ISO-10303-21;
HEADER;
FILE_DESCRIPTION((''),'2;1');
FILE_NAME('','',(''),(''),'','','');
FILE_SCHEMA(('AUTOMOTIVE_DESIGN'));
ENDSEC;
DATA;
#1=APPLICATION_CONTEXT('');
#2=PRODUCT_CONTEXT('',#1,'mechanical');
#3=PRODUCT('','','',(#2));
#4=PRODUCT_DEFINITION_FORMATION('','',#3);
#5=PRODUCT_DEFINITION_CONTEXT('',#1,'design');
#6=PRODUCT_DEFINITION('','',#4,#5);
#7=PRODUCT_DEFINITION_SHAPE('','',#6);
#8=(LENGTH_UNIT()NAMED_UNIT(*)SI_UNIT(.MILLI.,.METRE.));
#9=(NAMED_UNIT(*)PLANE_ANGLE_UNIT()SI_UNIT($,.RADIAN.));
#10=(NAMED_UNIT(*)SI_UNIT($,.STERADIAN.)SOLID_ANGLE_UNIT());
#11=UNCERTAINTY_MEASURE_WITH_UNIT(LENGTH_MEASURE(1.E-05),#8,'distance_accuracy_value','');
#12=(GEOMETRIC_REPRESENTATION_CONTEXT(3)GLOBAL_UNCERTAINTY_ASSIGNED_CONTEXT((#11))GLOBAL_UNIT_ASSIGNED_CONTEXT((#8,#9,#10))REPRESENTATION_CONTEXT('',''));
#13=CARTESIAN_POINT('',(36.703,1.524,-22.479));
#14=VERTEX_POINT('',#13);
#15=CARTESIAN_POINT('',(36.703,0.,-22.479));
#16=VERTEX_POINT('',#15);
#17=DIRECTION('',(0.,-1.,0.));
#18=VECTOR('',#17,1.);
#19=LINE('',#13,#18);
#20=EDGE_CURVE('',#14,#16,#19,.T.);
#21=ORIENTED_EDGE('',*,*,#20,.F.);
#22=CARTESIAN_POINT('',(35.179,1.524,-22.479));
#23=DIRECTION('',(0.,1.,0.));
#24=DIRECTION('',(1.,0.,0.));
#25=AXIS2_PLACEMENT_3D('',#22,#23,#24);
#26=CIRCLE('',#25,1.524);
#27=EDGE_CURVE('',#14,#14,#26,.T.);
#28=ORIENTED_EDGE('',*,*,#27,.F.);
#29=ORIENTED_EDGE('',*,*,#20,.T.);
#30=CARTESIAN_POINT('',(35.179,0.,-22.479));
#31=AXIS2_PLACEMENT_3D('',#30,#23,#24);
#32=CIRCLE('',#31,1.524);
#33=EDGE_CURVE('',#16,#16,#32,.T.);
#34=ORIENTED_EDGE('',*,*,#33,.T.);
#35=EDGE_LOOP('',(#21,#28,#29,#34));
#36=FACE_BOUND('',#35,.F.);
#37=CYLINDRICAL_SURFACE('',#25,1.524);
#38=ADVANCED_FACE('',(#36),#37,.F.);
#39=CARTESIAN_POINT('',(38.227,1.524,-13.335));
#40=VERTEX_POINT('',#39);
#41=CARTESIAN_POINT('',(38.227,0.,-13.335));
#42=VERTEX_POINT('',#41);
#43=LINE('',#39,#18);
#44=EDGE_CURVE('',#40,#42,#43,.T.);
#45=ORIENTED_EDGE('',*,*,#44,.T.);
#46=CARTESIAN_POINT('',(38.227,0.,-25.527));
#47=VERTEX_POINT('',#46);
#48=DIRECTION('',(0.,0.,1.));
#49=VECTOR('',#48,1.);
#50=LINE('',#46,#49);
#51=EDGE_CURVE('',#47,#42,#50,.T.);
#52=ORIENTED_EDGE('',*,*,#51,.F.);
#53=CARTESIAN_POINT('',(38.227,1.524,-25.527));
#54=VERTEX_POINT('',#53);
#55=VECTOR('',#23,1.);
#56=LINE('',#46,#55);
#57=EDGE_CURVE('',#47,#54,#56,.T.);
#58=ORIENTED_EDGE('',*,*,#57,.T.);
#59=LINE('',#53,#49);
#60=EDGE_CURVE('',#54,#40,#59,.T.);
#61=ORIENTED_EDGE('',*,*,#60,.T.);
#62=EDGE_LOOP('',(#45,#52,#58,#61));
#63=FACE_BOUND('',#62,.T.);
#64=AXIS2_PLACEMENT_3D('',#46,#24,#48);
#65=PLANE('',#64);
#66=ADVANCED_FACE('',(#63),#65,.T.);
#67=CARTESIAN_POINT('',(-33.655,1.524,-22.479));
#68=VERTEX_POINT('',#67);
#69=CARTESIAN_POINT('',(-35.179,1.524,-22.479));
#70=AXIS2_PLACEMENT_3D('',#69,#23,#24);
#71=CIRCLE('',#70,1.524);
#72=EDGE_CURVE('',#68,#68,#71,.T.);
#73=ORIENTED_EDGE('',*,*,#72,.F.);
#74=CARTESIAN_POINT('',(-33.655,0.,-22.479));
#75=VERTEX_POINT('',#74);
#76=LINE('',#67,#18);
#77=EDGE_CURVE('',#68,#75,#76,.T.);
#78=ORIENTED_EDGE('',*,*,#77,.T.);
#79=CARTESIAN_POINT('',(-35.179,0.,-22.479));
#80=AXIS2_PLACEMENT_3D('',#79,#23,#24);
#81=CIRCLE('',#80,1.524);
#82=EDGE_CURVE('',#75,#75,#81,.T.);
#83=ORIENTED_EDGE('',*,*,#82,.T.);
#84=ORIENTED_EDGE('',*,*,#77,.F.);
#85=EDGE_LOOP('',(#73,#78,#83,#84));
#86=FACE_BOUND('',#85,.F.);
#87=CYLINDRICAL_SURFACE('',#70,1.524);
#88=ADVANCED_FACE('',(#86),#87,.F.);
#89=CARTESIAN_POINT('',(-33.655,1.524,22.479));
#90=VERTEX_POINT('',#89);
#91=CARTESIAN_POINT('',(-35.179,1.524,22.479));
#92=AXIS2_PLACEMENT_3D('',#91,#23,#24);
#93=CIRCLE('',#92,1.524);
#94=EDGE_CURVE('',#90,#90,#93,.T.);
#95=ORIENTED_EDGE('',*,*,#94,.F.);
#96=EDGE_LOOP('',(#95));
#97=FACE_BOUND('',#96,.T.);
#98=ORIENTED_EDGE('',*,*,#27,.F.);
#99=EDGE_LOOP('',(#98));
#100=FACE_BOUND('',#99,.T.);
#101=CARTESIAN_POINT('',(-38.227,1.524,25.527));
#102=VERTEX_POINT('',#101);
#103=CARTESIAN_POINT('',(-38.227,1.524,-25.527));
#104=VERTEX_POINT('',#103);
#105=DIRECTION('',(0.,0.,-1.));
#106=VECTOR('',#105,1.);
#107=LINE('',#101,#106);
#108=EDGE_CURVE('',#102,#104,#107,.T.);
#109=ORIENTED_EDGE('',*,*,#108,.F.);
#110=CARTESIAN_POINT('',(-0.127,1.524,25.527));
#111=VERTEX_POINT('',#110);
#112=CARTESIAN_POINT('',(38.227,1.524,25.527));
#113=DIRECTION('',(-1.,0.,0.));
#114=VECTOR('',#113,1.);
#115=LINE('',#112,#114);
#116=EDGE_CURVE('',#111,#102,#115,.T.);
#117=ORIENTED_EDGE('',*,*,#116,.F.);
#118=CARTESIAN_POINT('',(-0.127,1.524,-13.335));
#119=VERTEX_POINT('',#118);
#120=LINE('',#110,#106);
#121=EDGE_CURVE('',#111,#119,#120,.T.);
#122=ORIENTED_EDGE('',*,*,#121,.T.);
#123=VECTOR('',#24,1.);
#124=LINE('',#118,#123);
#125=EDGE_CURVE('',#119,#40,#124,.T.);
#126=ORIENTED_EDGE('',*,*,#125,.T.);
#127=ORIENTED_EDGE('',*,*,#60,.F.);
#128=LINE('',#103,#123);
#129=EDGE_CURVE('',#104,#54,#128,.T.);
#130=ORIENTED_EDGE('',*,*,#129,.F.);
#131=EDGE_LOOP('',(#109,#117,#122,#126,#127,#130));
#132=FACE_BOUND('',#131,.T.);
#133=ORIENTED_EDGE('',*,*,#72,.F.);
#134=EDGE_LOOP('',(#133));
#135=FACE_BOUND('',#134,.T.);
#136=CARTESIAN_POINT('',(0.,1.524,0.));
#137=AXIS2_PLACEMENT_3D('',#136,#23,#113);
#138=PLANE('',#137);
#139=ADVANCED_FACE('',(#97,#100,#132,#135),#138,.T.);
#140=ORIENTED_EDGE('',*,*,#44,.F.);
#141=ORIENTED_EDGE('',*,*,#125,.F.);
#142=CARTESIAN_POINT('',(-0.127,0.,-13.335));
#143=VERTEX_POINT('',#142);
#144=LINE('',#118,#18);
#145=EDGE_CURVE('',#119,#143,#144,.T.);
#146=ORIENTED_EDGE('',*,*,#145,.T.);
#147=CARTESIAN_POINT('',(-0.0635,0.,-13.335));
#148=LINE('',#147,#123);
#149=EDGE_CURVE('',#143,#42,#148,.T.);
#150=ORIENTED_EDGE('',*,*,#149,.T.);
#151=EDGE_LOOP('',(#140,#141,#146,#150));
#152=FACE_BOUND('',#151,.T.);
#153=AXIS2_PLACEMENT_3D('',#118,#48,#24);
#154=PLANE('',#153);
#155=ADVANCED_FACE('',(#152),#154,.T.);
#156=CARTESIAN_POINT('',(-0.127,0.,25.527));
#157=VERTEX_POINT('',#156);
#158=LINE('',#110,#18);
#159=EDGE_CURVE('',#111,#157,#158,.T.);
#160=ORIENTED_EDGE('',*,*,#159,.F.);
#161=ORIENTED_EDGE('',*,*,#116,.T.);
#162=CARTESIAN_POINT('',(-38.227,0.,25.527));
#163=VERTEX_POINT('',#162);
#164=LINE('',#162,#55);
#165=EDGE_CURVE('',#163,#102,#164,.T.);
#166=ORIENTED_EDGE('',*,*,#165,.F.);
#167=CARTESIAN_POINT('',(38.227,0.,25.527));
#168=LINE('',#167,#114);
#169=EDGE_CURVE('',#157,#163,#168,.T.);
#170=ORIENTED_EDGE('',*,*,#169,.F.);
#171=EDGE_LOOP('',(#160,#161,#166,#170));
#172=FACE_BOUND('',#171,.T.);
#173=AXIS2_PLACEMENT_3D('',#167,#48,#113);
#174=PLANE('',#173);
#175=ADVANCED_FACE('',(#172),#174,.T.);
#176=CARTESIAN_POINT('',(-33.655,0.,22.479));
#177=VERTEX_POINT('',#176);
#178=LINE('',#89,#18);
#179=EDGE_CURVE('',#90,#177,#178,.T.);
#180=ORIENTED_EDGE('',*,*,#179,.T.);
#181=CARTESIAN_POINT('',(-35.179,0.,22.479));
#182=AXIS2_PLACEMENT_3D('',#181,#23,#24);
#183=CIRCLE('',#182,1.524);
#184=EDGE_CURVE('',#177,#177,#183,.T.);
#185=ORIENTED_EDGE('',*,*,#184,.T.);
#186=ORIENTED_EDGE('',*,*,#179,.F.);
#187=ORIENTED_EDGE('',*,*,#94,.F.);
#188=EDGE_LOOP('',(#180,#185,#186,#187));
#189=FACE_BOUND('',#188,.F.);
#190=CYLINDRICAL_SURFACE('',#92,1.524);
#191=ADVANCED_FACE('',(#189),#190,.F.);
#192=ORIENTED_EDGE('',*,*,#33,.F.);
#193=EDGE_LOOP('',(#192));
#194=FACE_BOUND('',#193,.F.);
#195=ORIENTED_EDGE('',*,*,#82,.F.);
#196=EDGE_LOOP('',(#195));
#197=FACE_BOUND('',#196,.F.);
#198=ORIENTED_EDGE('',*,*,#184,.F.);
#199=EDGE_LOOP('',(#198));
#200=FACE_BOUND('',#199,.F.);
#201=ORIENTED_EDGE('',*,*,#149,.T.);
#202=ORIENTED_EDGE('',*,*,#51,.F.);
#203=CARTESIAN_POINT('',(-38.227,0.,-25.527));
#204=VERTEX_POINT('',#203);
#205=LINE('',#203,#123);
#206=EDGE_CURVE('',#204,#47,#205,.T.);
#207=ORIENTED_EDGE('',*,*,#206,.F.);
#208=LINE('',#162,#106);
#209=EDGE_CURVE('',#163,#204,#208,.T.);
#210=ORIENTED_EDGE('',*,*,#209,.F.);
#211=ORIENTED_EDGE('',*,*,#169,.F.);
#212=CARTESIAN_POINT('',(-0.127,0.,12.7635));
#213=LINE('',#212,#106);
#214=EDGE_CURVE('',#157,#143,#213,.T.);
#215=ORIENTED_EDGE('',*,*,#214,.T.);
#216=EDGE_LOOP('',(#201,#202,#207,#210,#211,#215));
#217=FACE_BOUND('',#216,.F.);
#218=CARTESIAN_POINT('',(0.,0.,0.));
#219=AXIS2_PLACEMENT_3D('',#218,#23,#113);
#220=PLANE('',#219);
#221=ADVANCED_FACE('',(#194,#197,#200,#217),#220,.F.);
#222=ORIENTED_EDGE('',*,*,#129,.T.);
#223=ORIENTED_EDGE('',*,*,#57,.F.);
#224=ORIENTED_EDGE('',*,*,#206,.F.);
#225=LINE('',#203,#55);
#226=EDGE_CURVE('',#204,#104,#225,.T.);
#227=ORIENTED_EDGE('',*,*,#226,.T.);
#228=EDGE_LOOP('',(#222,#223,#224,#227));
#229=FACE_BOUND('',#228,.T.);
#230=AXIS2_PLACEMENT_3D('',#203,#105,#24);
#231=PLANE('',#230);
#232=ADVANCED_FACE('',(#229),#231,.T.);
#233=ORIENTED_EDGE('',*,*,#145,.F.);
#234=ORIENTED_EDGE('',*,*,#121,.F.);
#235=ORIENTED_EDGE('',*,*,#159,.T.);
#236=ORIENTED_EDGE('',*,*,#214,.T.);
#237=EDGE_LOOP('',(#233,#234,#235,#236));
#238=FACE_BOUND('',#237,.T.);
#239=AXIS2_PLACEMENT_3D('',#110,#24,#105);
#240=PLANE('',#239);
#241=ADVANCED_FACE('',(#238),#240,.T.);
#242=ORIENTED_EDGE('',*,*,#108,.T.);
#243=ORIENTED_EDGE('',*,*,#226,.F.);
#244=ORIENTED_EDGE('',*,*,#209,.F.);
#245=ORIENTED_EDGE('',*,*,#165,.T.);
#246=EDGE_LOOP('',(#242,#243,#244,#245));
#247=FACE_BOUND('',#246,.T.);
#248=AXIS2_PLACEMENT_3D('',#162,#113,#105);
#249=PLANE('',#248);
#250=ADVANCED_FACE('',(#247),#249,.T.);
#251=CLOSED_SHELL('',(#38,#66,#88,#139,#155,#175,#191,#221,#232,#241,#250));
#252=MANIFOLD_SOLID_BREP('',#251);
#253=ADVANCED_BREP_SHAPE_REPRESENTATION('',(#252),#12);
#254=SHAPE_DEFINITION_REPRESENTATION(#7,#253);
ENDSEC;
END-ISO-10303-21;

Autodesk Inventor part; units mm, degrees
ref_plane "YZ Plane" through (0, 0, 0) normal (1, 0, 0) x (0, 1, 0)
ref_plane "XZ Plane" through (0, 0, 0) normal (0, 1, 0) x (-1, 0, 0)
ref_plane "XY Plane" through (0, 0, 0) normal (0, 0, 1) x (1, 0, 0)
sketch "Sketch1" plane through (0, 0, 0) normal (0, 1, 0) x (-1, 0, 0)
  line L0 (-38.227, 25.527) -> (38.227, 25.527)
  line L1 (38.227, 25.527) -> (38.227, -25.527)
  line L2 (38.227, -25.527) -> (-38.227, -25.527)
  line L3 (-38.227, -25.527) -> (-38.227, 25.527)
  line L4 (-38.227, 25.527) -> (38.227, -25.527) construction
  point P0 (0, 0)
  point P1 (0, 0)
  dimension "d0" = 76.454
  dimension "d1" = 51.054
extrude "Extrusion1" add sketch "Sketch1" along normal blind 1.524
sketch "Sketch2" plane through (0, 1.524, 0) normal (0, 1, 0) x (1, 0, 0)
  line L0 (-38.227, -25.527) -> (38.227, -25.527) projected
  line L1 (38.227, -25.527) -> (38.227, 25.527) projected
  line L2 (38.227, 25.527) -> (-38.227, 25.527) projected
  line L3 (-38.227, 25.527) -> (-38.227, -25.527) projected
  circle A0 centre (-35.179, 22.479) radius 1.524
  circle A1 centre (-35.179, -22.479) radius 1.524
  circle A2 centre (35.179, 22.479) radius 1.524
  circle A3 centre (35.179, -22.479) radius 1.524
  point P0 (0, 0)
  dimension "d4" = 3.048
  dimension "d5" = 3.048
  dimension "d6" = 3.048
  dimension "d7" = 3.048
  dimension "d8" = 3.048
  dimension "d9" = 3.048
  dimension "d10" = 3.048
  dimension "d11" = 3.048
  dimension "d12" = 3.048
extrude "Extrusion2" cut sketch "Sketch2" against normal up to next contours A0 | A1 | A2 | A3
sketch "Sketch6" plane through (0, 1.524, 0) normal (0, 1, 0) x (1, 0, 0)
  line L0 (38.227, -25.527) -> (-0.127, -25.527)
  line L1 (-0.127, -25.527) -> (-0.127, 13.335)
  line L2 (-0.127, 13.335) -> (38.227, 13.335)
  line L3 (38.227, 13.335) -> (38.227, -25.527)
  line L4 (23.495, 18.415) -> (24.003, 18.415) projected
  line L5 (38.227, 25.527) -> (-38.227, 25.527) projected
  line L6 (-38.227, 25.527) -> (-38.227, -25.527) projected
  point P0 (0, 0)
  dimension "d23" = 12.192
  dimension "d24" = 38.1
extrude "Extrusion3" cut sketch "Sketch6" against normal blind 25.4
properties part number "MainBoard" material "Silicon Nitride"
